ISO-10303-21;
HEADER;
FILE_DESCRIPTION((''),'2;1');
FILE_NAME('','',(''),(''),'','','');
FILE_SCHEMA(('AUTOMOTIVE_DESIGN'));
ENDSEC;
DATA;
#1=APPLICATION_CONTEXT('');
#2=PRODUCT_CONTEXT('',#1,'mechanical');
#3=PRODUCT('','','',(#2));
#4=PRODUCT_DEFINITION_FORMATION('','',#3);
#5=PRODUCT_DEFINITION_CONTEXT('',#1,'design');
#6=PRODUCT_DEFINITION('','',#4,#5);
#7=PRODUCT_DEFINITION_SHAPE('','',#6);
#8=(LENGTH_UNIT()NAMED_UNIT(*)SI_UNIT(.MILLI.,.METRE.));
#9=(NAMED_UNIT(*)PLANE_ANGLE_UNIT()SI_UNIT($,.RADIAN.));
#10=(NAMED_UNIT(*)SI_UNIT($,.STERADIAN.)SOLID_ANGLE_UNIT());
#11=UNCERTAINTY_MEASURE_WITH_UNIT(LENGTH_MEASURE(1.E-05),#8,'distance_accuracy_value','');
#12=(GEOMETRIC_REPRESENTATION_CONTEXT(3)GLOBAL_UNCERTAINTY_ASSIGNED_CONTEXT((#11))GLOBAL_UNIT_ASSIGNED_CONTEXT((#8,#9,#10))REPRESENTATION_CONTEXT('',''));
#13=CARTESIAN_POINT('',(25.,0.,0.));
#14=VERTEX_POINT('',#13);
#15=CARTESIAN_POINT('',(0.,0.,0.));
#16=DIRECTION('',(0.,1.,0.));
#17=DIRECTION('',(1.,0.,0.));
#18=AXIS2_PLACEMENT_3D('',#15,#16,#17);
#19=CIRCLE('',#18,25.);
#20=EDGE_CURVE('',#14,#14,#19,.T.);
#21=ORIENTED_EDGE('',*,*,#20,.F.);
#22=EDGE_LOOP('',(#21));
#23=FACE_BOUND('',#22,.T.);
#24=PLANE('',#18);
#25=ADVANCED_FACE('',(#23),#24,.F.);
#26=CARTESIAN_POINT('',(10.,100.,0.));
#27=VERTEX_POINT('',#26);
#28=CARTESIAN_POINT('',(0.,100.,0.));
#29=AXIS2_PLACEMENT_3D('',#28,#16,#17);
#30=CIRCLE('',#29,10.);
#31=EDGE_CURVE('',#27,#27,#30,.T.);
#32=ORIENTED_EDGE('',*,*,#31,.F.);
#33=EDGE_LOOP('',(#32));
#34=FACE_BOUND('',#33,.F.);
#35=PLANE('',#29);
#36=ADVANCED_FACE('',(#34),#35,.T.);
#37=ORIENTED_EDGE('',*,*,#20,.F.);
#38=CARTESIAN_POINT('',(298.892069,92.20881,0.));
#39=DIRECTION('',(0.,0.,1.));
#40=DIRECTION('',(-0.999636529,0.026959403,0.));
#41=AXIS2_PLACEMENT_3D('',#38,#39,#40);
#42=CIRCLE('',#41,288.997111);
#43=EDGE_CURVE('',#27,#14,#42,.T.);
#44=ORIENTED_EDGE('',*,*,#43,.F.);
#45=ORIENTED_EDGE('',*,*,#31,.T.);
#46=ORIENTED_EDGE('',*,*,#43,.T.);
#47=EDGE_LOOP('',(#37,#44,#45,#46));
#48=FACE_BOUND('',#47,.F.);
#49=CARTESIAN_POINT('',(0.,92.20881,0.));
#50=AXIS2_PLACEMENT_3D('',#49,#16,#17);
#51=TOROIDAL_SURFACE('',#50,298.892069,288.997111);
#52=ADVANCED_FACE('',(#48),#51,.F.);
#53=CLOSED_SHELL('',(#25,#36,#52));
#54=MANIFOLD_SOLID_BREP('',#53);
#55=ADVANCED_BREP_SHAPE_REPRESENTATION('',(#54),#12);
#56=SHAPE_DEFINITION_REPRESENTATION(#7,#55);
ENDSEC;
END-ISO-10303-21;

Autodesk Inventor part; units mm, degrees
ref_plane "YZ Plane" through (0, 0, 0) normal (1, 0, 0) x (0, 1, 0)
ref_plane "XZ Plane" through (0, 0, 0) normal (0, 1, 0) x (-1, 0, 0)
ref_plane "XY Plane" through (0, 0, 0) normal (0, 0, 1) x (1, 0, 0)
sketch "Sketch1" plane through (0, 0, 0) normal (0, 0, 1) x (1, 0, 0)
  line L0 (0, 0) -> (25, 0)
  line L1 (0, 0) -> (0, 100)
  line L2 (0, 100) -> (10, 100)
  arc A0 (10, 100) -> (25, 0) centre (298.8919, 92.2088) ccw
  dimension "d0" = 25
  dimension "d1" = 100
  dimension "d2" = 10
  dimension "d3" = 288.9969
revolve "Revolution1" add sketch "Sketch1" angle 360 about axis through (0, 0, 0) along (0, 1, 0)
properties part number "concave fin"
